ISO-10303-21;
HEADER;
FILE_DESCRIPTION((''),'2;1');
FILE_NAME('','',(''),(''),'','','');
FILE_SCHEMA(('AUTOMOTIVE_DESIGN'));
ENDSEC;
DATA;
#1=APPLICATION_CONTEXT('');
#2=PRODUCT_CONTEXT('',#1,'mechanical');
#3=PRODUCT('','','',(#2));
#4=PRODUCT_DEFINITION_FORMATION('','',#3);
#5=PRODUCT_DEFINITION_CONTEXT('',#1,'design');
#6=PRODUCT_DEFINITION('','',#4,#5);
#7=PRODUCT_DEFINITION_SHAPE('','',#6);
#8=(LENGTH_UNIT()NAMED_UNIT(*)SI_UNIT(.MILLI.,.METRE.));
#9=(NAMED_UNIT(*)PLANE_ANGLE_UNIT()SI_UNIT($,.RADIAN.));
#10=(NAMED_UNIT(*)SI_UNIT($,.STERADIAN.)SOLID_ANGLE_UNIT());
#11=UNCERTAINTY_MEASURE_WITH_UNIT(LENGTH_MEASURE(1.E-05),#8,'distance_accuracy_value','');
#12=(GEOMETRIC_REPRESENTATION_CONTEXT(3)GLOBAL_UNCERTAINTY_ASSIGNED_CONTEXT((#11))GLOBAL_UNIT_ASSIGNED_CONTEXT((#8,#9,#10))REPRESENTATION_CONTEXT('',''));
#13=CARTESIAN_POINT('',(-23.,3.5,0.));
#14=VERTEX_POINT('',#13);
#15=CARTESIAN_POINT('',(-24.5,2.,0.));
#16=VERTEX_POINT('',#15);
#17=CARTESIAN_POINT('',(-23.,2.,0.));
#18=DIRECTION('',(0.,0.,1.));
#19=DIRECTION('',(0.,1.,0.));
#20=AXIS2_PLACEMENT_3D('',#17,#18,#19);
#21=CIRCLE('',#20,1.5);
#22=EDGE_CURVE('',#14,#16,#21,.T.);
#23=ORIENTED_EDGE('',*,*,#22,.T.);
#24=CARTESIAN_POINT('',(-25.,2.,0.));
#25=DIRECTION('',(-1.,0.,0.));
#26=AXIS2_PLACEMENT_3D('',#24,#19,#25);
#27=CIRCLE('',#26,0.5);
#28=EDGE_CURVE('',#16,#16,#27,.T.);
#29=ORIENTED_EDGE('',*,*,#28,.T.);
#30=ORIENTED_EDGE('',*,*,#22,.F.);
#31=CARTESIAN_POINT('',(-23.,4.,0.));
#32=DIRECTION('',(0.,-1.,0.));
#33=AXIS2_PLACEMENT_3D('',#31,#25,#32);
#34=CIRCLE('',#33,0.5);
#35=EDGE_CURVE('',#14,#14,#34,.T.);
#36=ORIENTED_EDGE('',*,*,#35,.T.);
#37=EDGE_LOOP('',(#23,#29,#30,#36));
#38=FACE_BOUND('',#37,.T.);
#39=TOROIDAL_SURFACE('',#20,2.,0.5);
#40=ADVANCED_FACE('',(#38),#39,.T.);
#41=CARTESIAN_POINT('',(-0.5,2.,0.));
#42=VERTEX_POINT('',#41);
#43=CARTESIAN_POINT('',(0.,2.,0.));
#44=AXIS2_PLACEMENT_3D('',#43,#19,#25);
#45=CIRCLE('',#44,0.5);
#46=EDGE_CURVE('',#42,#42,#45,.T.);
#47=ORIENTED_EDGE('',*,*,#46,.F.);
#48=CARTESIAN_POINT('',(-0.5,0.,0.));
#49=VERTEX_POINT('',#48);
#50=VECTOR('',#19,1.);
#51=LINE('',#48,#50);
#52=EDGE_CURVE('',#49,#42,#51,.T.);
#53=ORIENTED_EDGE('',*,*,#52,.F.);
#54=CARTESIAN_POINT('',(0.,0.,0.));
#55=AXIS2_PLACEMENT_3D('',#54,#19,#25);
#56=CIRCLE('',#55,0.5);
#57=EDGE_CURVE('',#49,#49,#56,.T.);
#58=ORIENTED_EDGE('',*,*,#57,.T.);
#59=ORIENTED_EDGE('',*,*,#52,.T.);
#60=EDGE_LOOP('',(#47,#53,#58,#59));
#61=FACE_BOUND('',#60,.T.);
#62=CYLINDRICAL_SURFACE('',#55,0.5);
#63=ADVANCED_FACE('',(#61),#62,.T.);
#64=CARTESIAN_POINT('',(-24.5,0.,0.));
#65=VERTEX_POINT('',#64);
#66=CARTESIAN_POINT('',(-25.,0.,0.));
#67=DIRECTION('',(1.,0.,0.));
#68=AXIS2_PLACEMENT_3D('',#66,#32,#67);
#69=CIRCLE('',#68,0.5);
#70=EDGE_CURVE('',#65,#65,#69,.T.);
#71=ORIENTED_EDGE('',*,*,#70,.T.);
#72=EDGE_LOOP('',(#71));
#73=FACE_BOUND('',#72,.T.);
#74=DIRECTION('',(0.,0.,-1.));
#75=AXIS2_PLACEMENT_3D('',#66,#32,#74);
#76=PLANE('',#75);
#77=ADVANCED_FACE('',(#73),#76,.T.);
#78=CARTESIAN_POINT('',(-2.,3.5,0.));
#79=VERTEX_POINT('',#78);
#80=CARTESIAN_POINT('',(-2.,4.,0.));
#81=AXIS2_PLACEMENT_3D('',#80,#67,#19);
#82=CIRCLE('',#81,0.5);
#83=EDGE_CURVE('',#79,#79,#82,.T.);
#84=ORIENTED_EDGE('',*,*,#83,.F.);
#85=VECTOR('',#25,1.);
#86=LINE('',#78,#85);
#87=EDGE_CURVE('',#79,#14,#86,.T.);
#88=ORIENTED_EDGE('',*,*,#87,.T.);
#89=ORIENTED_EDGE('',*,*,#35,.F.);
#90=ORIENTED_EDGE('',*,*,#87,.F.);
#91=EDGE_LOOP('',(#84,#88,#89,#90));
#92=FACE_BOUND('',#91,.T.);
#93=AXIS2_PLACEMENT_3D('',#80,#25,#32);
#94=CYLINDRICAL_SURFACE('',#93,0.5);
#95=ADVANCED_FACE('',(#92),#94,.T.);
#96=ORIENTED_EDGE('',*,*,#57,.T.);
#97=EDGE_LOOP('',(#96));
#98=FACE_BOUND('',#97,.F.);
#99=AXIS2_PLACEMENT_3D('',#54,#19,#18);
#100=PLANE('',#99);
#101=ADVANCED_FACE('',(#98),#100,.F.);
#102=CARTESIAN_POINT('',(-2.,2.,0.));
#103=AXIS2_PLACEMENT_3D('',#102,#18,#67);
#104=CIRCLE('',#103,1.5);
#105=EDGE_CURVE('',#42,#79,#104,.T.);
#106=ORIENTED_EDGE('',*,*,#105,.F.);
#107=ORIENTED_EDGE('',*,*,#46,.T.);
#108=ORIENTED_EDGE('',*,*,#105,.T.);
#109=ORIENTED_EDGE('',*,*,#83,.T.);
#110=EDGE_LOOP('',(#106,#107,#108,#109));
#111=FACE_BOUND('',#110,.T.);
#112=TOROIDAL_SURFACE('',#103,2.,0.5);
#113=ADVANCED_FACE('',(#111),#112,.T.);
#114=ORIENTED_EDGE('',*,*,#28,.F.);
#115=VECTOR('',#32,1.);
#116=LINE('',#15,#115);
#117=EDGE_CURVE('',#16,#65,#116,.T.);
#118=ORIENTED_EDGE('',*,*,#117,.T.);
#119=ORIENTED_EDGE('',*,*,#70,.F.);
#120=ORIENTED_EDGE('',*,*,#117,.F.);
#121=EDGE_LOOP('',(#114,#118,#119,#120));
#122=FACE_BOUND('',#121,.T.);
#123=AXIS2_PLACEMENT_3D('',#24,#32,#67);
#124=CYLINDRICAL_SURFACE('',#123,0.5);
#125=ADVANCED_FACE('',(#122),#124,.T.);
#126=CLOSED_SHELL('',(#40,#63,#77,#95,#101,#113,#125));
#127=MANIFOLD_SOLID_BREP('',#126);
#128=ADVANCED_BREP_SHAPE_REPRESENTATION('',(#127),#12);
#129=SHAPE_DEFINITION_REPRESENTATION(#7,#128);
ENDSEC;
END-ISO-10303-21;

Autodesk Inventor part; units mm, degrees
ref_plane "YZ Plane" through (0, 0, 0) normal (1, 0, 0) x (0, 1, 0)
ref_plane "XZ Plane" through (0, 0, 0) normal (0, 1, 0) x (-1, 0, 0)
ref_plane "XY Plane" through (0, 0, 0) normal (0, 0, 1) x (1, 0, 0)
sketch "Sketch1" plane through (0, 0, 0) normal (0, 0, 1) x (1, 0, 0)
  line L0 (0, 0) -> (0, 2)
  line L1 (-2, 4) -> (-23, 4)
  line L2 (-25, 2) -> (-25, 0)
  arc A0 (-23, 4) -> (-25, 2) centre (-23, 2) ccw
  arc A1 (0, 2) -> (-2, 4) centre (-2, 2) ccw
  point P0 (0, 4)
  dimension "d0" = 25
  dimension "d1" = 4
  dimension "d2" = 2
sketch "Sketch2" plane through (0, 0, 0) normal (0, 1, 0) x (-1, 0, 0)
  circle A0 centre (0, 0) radius 0.5
  dimension "d3" = 1
sweep "Sweep1" add profiles "Sketch2" path "Sketch1"
properties part number "ServoLink"
